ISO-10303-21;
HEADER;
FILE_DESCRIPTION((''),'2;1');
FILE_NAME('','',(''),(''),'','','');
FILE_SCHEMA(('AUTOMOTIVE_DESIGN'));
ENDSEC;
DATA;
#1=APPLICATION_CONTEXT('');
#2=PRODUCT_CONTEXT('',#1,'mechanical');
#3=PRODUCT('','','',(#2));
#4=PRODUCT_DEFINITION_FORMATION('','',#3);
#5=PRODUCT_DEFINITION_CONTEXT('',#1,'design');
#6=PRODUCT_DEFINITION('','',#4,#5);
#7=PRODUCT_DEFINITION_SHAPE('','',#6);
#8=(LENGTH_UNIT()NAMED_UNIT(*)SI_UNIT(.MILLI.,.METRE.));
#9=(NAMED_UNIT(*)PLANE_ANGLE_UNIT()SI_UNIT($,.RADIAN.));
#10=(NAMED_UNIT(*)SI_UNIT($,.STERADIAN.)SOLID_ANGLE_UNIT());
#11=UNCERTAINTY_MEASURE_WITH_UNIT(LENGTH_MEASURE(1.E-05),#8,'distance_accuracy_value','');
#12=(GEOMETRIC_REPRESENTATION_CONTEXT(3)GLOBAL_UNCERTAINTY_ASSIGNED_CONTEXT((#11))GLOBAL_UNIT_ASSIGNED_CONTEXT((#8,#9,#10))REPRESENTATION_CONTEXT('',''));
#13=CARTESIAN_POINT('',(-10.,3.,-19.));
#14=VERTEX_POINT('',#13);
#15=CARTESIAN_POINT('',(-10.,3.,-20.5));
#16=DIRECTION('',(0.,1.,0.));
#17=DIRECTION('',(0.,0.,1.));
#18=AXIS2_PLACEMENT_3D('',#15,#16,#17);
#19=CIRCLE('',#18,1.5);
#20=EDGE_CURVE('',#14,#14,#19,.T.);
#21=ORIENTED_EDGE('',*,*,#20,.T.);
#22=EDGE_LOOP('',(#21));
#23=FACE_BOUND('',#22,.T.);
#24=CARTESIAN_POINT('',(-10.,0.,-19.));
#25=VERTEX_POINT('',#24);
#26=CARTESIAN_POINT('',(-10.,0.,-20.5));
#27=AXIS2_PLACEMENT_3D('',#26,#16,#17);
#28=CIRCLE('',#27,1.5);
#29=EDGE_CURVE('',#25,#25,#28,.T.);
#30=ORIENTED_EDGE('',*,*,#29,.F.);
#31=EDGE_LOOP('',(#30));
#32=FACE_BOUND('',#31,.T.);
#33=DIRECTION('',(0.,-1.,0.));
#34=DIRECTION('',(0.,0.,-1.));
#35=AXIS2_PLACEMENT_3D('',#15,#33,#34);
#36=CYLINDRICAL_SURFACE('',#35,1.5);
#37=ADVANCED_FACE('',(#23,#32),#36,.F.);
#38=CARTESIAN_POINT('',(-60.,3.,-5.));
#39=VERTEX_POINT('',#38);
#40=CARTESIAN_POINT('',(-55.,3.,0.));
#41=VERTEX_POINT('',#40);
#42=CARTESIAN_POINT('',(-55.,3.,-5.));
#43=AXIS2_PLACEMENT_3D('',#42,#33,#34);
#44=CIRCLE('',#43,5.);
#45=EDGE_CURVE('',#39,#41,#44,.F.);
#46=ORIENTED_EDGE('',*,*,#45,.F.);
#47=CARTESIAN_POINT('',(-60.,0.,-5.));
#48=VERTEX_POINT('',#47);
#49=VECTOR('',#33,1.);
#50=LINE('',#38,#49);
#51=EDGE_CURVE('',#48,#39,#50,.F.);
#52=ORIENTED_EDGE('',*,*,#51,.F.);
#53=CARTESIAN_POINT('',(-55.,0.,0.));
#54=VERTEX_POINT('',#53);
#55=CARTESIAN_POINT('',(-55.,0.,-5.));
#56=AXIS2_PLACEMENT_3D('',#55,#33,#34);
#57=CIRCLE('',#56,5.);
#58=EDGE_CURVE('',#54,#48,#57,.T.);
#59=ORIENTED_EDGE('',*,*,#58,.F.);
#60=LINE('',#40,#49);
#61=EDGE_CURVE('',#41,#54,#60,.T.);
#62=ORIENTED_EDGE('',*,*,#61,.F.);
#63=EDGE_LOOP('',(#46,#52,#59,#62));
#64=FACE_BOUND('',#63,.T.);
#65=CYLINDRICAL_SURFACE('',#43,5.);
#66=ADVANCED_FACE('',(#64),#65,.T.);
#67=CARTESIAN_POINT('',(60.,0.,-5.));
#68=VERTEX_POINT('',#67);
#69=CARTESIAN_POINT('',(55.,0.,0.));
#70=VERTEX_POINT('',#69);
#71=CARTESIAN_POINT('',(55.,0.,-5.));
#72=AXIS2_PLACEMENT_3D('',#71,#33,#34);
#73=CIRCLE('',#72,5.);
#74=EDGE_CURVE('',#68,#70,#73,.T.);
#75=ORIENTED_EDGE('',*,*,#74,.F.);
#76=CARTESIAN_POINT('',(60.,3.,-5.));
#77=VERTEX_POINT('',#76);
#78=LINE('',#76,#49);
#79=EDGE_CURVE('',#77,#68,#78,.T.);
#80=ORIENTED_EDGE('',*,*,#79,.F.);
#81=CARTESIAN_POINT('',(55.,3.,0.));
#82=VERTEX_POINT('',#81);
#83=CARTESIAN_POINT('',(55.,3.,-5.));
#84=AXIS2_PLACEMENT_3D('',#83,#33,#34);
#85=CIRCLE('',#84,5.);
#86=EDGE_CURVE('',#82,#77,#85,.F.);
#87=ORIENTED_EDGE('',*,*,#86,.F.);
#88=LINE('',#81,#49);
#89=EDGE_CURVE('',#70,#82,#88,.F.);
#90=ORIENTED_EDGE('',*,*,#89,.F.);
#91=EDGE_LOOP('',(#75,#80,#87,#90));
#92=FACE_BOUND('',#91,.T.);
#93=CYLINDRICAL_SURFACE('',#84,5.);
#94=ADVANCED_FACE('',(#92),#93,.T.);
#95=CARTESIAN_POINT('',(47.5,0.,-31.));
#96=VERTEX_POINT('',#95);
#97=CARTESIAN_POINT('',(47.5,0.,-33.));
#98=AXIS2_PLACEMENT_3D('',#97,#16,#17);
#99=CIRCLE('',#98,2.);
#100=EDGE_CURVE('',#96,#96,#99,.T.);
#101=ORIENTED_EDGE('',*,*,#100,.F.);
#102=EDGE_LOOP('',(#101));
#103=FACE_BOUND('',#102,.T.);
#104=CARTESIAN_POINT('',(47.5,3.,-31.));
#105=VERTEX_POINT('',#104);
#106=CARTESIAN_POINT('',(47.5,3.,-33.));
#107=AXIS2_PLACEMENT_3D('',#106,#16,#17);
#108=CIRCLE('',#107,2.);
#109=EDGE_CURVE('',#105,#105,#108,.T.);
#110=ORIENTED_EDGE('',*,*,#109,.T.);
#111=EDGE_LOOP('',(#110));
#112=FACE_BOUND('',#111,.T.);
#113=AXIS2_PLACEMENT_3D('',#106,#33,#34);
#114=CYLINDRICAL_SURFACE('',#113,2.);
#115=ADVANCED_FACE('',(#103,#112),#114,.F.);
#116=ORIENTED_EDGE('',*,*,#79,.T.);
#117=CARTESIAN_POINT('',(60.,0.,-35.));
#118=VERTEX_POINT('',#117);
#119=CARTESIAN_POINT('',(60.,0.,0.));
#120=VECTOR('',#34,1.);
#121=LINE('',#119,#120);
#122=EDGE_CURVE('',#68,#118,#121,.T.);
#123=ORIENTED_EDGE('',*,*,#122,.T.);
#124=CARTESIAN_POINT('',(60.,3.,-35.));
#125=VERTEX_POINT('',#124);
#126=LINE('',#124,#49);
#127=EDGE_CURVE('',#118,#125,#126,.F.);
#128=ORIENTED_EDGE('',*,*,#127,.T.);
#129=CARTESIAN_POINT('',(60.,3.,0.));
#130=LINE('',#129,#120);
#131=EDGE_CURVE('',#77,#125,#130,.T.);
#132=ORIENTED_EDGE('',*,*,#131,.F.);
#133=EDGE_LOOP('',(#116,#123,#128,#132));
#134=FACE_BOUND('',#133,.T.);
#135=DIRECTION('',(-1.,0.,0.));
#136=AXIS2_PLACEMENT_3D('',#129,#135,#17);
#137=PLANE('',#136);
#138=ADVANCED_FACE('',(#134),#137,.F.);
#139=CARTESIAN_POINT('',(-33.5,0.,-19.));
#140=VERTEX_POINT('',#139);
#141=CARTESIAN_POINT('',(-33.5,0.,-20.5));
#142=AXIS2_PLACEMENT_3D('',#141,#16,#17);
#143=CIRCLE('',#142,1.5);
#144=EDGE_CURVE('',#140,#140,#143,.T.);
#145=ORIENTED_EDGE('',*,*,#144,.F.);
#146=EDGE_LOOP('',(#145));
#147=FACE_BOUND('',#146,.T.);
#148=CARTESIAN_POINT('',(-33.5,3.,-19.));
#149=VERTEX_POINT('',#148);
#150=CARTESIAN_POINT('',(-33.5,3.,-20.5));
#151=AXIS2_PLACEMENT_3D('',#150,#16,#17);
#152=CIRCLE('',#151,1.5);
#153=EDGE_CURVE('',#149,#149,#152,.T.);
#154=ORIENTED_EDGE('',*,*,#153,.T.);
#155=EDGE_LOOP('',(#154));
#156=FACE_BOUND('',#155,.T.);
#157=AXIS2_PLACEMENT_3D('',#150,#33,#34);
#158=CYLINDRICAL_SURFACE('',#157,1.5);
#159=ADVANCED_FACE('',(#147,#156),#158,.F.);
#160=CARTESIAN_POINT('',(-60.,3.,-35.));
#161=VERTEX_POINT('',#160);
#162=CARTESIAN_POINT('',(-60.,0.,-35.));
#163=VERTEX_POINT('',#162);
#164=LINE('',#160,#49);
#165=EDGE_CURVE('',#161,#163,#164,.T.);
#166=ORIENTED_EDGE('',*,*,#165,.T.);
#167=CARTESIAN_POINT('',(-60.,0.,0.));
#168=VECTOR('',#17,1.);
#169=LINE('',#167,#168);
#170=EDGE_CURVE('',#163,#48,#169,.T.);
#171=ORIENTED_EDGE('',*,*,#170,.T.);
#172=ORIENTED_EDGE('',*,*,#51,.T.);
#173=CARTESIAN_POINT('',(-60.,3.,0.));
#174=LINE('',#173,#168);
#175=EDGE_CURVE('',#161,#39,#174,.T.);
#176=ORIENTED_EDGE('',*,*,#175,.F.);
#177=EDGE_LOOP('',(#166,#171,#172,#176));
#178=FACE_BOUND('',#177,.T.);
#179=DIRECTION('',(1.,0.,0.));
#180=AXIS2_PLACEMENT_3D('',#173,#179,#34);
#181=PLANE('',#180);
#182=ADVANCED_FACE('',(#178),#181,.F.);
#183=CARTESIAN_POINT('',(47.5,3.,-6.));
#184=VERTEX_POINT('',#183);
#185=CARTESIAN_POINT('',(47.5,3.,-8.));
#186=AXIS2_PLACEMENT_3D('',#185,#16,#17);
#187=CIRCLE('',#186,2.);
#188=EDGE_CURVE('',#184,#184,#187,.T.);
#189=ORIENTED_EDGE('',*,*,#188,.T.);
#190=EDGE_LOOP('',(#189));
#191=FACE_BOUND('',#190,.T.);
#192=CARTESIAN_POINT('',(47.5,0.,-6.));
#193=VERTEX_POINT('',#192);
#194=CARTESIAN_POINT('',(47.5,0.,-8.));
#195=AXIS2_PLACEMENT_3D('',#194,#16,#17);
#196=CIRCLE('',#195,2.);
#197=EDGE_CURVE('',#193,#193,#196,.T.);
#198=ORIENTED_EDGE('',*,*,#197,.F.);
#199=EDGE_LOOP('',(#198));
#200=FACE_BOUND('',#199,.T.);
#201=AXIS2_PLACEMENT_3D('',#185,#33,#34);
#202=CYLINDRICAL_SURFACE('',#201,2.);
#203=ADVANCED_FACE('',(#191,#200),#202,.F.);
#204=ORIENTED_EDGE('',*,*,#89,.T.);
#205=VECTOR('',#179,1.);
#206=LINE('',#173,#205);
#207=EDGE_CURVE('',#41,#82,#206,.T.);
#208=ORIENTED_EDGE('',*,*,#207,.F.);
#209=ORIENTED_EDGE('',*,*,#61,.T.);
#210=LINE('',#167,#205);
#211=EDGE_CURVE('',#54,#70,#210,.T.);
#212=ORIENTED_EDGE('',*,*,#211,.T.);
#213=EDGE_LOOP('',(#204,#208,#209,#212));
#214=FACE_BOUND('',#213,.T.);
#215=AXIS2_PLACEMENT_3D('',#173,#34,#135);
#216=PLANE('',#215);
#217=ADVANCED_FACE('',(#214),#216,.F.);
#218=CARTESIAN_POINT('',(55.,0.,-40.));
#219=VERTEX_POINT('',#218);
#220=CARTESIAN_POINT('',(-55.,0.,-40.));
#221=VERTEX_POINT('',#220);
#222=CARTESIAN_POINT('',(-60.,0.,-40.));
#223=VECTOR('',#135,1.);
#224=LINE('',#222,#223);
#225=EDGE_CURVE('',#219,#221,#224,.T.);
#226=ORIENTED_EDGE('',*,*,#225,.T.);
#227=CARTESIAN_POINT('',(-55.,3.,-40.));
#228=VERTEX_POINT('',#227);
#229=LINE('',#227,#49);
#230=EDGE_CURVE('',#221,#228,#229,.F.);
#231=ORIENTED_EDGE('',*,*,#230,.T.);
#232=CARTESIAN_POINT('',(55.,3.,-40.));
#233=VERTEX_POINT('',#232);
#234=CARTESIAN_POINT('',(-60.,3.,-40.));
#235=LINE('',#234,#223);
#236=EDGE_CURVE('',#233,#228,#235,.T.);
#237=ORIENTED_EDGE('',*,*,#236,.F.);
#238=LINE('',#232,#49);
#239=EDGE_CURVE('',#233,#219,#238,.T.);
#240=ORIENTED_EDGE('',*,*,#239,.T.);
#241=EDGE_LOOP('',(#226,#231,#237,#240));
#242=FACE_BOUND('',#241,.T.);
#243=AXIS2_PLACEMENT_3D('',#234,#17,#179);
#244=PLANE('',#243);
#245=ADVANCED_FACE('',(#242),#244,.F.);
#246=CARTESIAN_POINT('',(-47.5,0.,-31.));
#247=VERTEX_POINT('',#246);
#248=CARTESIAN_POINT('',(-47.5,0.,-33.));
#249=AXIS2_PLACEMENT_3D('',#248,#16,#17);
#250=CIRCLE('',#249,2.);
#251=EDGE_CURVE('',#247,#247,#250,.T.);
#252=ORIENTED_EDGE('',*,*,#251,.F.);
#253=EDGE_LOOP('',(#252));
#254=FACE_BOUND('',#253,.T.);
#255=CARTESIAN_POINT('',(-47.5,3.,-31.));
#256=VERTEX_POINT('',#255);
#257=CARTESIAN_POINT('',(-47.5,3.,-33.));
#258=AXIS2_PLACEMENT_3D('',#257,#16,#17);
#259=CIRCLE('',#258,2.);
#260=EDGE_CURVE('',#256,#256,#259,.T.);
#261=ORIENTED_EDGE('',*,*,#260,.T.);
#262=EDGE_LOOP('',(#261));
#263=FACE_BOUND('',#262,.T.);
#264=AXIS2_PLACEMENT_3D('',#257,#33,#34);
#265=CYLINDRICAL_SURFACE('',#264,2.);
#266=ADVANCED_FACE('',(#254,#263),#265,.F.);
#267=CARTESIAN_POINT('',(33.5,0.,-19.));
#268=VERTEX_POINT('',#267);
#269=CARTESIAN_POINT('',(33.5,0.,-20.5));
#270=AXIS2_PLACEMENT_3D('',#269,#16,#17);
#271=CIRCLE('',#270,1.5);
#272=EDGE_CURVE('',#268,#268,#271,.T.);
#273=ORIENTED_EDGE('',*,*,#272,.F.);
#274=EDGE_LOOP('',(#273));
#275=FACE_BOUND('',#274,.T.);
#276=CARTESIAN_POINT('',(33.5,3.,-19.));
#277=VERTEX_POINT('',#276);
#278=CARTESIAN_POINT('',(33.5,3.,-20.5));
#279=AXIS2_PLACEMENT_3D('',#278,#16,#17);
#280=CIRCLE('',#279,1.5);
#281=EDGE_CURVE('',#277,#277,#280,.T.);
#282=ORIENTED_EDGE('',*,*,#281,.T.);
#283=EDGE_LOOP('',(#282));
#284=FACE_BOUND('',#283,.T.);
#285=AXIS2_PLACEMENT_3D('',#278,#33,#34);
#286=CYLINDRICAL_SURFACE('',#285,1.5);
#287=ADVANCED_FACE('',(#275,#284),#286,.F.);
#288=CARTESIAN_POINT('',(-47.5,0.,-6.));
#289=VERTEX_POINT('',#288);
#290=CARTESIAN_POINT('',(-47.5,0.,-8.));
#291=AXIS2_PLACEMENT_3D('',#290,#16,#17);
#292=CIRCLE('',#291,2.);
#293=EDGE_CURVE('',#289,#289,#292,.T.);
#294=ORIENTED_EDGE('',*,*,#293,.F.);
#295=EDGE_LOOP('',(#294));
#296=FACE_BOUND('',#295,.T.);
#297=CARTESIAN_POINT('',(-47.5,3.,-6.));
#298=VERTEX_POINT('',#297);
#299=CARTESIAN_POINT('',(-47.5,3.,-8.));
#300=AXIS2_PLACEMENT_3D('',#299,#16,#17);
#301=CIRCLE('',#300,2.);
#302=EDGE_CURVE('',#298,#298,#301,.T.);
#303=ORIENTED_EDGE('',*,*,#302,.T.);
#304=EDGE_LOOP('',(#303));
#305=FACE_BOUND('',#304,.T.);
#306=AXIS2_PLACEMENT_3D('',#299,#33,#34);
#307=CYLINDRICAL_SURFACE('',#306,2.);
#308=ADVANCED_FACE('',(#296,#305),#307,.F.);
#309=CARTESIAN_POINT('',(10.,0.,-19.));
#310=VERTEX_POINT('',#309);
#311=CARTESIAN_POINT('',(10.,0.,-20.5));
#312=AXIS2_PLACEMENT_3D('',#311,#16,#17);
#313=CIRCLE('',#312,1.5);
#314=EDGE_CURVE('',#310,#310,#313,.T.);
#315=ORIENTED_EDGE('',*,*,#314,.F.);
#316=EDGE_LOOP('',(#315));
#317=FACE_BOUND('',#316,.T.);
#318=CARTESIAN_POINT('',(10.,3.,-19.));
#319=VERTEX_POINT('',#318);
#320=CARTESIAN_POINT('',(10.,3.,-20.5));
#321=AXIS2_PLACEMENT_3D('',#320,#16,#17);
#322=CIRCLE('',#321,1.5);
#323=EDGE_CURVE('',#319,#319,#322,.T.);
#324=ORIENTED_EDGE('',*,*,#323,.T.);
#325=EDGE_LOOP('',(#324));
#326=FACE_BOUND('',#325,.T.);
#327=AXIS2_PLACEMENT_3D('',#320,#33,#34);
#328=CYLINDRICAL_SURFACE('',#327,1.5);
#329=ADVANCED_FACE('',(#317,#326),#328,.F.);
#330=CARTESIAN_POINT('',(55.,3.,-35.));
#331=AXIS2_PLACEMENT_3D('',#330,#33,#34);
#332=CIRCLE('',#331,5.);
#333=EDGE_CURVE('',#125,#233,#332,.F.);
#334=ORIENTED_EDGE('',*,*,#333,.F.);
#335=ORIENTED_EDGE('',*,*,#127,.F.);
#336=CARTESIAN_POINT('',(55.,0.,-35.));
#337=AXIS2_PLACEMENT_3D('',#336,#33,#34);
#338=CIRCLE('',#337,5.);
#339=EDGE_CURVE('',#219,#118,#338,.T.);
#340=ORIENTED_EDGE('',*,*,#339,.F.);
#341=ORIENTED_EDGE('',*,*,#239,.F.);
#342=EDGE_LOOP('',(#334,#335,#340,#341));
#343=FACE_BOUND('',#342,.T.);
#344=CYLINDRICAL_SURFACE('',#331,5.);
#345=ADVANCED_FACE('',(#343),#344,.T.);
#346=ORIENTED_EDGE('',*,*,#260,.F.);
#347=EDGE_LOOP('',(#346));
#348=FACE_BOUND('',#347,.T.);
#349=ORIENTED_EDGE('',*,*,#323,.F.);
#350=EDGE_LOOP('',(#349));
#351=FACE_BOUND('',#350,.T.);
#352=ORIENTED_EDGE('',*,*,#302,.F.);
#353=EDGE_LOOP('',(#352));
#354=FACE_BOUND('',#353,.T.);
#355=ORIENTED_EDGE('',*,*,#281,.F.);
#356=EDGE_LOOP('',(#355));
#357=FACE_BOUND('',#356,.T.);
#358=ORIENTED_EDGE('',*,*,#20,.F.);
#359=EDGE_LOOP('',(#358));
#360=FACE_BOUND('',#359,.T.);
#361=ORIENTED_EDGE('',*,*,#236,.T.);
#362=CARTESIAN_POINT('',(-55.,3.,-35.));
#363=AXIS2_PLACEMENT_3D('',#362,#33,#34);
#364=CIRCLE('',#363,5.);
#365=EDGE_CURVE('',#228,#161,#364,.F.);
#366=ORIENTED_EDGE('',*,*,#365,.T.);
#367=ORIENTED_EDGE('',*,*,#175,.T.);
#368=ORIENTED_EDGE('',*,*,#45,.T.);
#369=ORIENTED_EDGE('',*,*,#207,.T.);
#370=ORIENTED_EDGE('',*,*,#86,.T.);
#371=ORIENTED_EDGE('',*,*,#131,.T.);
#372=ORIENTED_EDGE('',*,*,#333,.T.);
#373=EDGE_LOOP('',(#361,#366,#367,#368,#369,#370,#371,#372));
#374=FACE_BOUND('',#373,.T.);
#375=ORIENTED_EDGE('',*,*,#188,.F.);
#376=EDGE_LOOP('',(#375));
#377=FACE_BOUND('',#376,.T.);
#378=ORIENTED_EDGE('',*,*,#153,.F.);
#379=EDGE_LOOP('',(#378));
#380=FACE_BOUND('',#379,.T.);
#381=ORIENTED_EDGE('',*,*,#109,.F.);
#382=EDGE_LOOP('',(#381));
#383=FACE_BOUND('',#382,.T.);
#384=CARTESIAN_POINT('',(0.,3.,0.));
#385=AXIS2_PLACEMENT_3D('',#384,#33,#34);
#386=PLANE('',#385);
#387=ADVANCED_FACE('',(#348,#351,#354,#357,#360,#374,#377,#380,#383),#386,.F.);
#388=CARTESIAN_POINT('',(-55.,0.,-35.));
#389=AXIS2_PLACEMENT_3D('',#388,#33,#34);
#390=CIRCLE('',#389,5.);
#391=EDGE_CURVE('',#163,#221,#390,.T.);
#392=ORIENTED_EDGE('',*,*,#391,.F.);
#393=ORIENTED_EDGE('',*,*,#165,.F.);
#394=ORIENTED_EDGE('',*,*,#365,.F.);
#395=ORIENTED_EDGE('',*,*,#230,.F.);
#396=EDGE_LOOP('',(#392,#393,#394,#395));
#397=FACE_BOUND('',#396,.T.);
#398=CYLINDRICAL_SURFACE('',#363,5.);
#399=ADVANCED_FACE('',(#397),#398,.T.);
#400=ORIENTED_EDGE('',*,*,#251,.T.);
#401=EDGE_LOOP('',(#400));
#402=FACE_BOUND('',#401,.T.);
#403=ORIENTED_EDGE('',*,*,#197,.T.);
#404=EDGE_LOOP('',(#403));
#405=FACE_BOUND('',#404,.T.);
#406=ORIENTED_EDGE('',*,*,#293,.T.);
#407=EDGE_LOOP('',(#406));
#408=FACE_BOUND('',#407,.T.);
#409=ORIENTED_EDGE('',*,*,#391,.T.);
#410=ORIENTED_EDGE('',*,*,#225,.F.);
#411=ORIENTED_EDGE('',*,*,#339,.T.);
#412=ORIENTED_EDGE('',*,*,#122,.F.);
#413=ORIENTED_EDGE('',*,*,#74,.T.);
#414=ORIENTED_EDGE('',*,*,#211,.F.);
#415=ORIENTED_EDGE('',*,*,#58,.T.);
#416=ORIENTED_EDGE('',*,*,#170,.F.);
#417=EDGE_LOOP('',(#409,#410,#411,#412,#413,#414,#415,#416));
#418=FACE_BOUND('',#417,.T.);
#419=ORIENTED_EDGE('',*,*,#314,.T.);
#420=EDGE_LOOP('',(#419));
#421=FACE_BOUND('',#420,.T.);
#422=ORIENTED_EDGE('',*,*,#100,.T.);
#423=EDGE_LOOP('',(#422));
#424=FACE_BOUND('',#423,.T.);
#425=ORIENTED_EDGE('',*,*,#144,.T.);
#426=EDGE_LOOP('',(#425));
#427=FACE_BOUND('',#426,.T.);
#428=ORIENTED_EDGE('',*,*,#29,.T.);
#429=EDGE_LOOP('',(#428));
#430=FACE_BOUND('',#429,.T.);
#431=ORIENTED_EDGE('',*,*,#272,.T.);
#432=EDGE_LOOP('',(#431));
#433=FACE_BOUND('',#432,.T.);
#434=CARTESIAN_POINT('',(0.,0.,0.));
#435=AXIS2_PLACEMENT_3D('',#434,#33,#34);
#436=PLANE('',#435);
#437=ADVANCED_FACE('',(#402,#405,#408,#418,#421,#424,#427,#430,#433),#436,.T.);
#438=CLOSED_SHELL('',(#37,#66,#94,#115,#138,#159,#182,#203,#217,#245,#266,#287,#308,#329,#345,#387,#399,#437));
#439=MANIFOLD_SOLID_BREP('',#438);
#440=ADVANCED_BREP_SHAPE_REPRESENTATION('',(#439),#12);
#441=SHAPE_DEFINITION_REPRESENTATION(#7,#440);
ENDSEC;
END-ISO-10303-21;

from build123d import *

# Parameters (mm, degrees)
SKETCH_1_W      = 120
SKETCH_1_H      = 40
SKETCH_1_R      = 1.5
SKETCH_1_R_2    = 2
EXTRUDE_1_DEPTH = 3
FILLET_1_R      = 5


with BuildPart() as part:
    # 草图1 → 凸台-拉伸1 (new body)
    with BuildSketch(Plane(origin=(0, 0, 0), x_dir=(1, 0, 0), z_dir=(0, 1, 0))):
        with Locations((0, 20)):
            Rectangle(SKETCH_1_W, SKETCH_1_H)
        with Locations(Location((10, 20.5, 0), (0, 0, 270))):
            Circle(SKETCH_1_R, mode=Mode.SUBTRACT)
        with Locations(Location((-10, 20.5, 0), (0, 0, 270))):
            Circle(SKETCH_1_R, mode=Mode.SUBTRACT)
        with Locations(Location((-33.5, 20.5, 0), (0, 0, 270))):
            Circle(SKETCH_1_R, mode=Mode.SUBTRACT)
        with Locations(Location((33.5, 20.5, 0), (0, 0, 270))):
            Circle(SKETCH_1_R, mode=Mode.SUBTRACT)
        with Locations(Location((-47.5, 8, 0), (0, 0, 270))):
            Circle(SKETCH_1_R_2, mode=Mode.SUBTRACT)
        with Locations(Location((-47.5, 33, 0), (0, 0, 270))):
            Circle(SKETCH_1_R_2, mode=Mode.SUBTRACT)
        with Locations(Location((47.5, 33, 0), (0, 0, 270))):
            Circle(SKETCH_1_R_2, mode=Mode.SUBTRACT)
        with Locations(Location((47.5, 8, 0), (0, 0, 270))):
            Circle(SKETCH_1_R_2, mode=Mode.SUBTRACT)
    extrude(amount=EXTRUDE_1_DEPTH)

    # 圆角1
    fillet_1_edges = [part.edges().sort_by_distance(p)[0] for p in [
        (-60, 1.5, -40),
        (60, 1.5, -40),
        (60, 1.5, 0),
        (-60, 1.5, 0),
    ]]
    fillet(fillet_1_edges, radius=FILLET_1_R)


solid = part.part
